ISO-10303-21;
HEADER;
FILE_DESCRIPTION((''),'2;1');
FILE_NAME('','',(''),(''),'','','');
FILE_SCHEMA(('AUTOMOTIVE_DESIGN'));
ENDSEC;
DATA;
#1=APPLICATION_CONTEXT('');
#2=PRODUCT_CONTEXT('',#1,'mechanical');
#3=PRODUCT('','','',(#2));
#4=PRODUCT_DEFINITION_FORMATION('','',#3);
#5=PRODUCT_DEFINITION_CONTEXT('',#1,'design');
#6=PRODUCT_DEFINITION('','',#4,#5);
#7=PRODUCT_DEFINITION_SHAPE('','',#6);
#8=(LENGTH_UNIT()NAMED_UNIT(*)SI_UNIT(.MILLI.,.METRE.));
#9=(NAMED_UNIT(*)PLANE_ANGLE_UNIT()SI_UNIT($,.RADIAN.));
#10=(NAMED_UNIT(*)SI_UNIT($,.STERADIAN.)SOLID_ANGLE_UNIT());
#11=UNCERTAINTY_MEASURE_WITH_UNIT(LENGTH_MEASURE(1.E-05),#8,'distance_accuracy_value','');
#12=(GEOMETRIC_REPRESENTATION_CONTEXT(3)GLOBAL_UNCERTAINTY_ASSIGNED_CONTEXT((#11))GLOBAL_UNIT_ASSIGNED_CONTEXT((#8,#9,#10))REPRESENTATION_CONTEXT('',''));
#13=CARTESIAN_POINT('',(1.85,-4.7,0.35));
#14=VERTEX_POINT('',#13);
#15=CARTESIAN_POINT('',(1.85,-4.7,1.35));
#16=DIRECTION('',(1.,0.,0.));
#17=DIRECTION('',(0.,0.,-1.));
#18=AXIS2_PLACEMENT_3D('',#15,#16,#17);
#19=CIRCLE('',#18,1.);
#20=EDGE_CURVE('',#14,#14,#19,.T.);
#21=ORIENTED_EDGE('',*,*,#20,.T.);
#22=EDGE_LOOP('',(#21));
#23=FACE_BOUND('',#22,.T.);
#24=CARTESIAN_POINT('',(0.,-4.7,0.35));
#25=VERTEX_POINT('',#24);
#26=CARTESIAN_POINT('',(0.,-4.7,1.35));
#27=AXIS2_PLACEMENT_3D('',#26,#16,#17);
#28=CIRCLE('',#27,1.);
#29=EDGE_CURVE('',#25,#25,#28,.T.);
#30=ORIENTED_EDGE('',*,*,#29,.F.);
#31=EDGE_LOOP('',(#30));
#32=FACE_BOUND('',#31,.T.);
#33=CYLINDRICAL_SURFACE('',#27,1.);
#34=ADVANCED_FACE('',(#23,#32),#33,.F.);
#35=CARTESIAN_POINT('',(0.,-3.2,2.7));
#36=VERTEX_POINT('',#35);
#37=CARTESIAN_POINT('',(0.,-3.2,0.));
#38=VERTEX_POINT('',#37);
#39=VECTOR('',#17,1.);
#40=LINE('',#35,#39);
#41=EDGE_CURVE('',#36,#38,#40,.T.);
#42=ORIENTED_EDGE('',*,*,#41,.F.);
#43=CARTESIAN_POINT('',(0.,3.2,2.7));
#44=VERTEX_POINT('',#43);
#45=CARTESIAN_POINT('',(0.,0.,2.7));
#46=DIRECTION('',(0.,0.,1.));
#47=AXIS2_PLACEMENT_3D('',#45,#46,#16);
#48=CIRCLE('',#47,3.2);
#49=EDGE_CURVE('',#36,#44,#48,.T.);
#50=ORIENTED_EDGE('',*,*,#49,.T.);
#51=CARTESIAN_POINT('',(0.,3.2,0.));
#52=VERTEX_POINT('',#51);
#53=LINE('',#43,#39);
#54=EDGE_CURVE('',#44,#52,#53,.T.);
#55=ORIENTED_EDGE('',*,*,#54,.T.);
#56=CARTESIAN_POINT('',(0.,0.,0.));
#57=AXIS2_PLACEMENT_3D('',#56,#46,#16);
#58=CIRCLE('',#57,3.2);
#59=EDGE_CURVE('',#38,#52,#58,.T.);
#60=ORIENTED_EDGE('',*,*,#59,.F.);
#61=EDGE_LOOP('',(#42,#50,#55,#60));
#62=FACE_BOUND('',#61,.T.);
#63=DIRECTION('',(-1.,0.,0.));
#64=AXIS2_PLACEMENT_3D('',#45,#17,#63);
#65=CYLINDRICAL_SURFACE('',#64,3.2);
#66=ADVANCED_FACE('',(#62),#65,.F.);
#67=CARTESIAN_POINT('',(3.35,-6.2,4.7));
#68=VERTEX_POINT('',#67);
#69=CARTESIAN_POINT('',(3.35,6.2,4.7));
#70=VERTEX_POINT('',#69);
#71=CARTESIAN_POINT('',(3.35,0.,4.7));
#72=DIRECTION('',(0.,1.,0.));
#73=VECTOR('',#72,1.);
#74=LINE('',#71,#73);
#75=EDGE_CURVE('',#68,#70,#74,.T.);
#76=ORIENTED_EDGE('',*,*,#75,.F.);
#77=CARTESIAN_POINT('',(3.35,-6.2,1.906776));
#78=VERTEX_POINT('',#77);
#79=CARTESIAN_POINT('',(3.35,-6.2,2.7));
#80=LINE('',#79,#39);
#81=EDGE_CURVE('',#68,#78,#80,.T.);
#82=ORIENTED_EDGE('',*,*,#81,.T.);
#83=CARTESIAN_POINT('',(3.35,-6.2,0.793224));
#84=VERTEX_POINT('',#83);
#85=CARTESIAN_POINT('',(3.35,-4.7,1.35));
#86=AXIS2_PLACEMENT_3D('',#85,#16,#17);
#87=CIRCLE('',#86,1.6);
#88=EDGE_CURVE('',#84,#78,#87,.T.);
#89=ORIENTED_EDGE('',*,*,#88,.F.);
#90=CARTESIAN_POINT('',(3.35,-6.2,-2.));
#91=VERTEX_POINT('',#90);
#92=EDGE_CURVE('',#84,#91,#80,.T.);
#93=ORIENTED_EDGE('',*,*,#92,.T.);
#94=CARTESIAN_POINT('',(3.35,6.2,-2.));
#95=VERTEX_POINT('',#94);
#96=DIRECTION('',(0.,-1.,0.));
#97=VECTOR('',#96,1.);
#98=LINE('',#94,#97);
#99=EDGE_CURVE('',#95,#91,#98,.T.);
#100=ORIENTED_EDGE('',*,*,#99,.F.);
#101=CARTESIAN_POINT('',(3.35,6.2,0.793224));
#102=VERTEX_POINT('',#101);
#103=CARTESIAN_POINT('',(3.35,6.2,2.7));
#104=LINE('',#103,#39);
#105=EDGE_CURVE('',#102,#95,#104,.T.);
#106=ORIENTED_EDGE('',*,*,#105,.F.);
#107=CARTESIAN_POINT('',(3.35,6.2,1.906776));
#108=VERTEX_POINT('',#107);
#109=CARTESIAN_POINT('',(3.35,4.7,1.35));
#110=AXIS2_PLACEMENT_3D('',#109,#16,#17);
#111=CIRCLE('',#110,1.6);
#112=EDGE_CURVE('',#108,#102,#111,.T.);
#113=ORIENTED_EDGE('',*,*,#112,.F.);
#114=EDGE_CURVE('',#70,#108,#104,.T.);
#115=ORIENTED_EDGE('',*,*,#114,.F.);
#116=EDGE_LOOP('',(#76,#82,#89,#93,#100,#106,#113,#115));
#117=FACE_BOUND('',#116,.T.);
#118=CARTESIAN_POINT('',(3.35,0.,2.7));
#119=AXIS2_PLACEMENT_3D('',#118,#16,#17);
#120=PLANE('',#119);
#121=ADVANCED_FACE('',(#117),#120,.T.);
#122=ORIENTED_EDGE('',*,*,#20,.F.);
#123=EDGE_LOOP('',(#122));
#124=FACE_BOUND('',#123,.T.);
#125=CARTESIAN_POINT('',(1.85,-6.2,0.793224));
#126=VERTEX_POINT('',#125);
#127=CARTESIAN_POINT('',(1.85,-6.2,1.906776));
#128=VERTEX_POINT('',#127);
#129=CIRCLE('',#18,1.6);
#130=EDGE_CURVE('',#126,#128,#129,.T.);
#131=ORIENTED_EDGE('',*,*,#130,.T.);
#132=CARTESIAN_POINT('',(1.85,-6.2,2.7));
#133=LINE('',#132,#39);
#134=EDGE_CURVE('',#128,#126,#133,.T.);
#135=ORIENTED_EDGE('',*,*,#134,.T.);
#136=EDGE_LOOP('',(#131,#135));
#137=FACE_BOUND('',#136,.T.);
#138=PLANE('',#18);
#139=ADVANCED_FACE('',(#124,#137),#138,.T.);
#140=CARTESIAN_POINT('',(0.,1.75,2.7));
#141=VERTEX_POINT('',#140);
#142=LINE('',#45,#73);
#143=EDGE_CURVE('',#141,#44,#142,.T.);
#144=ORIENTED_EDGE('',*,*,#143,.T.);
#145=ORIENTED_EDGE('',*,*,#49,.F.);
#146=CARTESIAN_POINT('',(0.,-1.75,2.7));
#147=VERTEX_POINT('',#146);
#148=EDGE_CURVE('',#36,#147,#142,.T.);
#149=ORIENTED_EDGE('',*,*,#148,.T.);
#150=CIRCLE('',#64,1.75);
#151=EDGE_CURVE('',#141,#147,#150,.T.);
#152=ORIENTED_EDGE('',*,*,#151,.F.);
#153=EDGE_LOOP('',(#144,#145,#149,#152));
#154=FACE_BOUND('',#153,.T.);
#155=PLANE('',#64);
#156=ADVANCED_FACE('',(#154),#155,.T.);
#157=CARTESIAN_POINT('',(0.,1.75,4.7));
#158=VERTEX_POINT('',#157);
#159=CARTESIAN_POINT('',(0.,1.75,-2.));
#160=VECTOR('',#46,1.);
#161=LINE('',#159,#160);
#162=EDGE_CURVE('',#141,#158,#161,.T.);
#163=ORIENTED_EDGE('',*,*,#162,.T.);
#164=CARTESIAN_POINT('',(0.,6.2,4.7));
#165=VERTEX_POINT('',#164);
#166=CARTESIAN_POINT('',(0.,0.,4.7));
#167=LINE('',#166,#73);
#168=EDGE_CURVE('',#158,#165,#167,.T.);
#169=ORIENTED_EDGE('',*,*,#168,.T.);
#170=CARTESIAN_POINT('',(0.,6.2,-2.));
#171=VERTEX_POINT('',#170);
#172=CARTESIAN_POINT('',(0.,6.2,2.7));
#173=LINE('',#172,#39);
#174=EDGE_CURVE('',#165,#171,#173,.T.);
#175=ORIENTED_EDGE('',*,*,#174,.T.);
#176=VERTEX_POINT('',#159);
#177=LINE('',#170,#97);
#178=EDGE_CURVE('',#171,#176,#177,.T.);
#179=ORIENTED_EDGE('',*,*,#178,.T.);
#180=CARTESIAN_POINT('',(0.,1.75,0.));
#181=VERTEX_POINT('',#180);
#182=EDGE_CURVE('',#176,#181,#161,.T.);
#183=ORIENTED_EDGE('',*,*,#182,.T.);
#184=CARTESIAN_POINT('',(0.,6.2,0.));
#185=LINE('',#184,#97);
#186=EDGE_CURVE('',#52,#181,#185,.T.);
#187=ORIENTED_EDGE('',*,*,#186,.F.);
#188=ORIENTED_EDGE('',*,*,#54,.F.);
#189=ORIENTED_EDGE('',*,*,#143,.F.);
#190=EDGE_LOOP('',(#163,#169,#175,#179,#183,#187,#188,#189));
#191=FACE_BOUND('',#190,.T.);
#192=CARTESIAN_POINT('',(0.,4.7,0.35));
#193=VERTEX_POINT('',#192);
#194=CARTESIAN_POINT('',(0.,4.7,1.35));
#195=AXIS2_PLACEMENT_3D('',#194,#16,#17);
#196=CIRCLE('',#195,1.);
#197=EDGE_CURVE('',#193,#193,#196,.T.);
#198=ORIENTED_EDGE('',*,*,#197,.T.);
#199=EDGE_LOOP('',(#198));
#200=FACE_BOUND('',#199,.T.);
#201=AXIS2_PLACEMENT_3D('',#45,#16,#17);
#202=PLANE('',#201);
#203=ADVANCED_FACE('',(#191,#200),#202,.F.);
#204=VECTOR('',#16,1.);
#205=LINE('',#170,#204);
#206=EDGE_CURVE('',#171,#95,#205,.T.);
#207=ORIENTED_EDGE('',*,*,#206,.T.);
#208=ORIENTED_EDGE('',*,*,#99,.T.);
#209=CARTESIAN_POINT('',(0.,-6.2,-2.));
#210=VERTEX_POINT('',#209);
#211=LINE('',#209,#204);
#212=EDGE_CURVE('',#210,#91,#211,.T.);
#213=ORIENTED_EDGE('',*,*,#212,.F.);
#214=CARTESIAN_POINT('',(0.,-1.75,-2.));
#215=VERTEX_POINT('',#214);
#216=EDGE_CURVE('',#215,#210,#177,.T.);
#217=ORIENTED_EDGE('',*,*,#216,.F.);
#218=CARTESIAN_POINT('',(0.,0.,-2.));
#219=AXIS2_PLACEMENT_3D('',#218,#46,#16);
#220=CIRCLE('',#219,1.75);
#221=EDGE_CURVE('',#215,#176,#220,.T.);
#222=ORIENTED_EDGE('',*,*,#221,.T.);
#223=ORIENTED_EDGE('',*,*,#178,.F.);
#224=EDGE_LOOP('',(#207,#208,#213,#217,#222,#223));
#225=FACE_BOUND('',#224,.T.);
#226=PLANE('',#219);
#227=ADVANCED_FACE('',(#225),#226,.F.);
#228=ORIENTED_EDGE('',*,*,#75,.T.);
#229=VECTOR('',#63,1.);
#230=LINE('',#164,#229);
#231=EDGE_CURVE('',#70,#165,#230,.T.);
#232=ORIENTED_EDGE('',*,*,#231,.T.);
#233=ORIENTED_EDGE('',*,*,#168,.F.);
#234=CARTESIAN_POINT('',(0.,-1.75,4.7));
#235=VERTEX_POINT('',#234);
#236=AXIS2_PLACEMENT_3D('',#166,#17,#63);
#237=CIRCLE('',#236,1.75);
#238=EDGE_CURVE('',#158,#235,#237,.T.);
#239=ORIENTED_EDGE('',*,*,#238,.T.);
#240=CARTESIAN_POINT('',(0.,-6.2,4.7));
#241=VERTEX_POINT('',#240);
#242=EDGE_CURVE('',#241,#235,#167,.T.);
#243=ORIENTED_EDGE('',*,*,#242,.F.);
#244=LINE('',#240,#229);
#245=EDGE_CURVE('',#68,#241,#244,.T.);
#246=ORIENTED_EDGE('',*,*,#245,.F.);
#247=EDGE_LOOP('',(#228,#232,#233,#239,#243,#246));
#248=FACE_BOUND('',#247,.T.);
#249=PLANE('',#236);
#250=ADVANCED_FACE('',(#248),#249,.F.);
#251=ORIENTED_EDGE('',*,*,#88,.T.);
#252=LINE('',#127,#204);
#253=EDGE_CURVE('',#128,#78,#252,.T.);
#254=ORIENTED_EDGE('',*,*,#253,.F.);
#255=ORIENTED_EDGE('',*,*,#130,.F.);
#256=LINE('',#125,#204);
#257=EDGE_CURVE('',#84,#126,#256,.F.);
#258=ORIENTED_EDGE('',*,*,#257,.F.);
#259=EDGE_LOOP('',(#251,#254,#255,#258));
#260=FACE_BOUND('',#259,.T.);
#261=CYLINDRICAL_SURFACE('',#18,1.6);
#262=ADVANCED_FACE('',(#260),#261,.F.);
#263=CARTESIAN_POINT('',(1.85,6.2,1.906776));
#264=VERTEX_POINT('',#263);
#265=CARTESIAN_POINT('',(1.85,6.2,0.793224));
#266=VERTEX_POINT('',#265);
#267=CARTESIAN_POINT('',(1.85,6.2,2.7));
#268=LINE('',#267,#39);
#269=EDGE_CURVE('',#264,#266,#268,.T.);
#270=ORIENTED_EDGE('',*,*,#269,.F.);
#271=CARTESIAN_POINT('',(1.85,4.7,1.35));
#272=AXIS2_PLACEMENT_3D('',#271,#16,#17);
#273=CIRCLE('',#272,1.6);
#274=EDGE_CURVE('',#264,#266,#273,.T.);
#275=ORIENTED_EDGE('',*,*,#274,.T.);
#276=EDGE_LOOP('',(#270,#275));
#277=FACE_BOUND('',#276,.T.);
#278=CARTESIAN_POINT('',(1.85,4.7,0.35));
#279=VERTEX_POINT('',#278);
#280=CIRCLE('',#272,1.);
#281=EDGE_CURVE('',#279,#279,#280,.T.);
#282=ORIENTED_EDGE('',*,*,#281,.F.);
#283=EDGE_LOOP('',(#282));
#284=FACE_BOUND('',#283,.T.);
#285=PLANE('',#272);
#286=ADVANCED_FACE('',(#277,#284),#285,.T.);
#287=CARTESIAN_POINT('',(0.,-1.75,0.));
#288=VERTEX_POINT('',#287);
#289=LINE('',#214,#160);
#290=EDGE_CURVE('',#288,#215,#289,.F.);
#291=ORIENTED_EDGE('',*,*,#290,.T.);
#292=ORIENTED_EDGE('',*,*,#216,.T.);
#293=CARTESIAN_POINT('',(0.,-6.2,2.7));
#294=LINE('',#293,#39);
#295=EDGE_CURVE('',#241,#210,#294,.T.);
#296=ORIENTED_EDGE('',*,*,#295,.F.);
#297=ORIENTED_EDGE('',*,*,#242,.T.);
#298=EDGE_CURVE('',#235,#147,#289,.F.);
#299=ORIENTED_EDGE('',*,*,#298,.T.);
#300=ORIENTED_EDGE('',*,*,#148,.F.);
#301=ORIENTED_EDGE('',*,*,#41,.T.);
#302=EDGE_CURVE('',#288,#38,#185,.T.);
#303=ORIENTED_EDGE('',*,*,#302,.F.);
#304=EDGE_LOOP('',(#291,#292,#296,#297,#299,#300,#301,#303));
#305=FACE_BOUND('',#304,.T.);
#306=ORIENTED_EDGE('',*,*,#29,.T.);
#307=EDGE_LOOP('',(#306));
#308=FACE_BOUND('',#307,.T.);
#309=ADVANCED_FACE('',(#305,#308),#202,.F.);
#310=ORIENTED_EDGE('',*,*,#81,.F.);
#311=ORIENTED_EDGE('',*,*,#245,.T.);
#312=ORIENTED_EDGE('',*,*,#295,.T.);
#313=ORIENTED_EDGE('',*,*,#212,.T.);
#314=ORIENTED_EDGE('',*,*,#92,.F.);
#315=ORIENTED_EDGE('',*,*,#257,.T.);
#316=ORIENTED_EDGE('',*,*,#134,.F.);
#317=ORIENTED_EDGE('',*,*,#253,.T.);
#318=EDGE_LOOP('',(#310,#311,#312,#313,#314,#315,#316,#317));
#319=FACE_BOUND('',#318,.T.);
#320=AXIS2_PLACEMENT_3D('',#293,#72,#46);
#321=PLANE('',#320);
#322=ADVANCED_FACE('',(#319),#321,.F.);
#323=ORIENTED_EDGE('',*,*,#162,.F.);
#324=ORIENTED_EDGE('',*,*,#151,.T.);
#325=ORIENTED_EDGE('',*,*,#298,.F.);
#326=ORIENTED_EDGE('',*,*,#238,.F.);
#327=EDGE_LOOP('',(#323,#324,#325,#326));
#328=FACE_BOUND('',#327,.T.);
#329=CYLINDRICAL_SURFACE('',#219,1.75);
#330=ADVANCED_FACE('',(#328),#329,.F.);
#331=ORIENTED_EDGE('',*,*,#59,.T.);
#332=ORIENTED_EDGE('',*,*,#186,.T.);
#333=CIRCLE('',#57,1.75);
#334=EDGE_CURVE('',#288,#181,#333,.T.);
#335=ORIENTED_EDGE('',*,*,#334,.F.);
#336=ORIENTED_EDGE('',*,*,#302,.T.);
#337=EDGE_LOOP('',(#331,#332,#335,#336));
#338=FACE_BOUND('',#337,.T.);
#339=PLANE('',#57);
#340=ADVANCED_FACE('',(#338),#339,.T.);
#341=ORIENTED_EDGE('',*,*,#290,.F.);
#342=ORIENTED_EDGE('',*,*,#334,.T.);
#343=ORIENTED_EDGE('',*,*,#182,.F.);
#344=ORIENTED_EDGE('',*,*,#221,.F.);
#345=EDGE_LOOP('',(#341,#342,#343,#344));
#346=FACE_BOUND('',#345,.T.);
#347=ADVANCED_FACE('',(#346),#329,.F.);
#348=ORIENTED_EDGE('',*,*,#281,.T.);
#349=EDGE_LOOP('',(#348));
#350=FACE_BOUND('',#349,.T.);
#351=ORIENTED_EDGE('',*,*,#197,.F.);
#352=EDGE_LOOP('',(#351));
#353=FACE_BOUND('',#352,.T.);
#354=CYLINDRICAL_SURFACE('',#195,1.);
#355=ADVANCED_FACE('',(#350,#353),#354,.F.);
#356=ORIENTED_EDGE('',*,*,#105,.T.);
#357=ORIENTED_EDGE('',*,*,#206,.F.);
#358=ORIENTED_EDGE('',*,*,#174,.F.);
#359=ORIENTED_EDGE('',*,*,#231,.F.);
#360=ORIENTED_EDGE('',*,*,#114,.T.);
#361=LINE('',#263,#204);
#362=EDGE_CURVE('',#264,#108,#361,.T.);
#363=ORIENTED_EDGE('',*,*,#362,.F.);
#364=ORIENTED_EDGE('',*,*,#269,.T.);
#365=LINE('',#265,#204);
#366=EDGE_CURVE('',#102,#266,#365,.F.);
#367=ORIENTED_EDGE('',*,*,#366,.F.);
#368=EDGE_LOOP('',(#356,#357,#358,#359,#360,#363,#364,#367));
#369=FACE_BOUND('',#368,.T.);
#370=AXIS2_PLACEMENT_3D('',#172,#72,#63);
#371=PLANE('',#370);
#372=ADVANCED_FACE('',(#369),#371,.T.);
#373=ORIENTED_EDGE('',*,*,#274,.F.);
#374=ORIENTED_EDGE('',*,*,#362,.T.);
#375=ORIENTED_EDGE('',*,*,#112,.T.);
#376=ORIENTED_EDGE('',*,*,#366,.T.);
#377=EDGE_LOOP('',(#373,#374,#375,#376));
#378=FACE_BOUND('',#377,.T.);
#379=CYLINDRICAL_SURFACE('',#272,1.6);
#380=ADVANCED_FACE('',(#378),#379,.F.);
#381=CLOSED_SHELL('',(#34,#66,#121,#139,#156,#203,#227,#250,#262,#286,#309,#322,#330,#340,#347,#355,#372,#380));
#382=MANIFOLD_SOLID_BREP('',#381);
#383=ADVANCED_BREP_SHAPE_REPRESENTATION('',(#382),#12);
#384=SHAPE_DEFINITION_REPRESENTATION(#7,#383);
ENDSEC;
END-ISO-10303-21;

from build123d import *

# Parameters (mm, degrees)
EXTRUDE_1_DEPTH     = 2.7
SKETCH_1_4_W        = 3.35
SKETCH_1_4_H        = 12.4
EXTRUDE_2_DEPTH     = 2
EXTRUDE_START       = 2.7
SKETCH_1_5_W        = 3.35
SKETCH_1_5_H        = 12.4
EXTRUDE_3_DEPTH     = 2
SKETCH_2_R          = 1.75
CUT_EXTRUDE_1_DEPTH = 10.723810981
SKETCH_4_R          = 1
CUT_EXTRUDE_2_DEPTH = 9.470684742
SKETCH_4_3_R        = 1.6
SKETCH_4_3_R_2      = 1
CUT_EXTRUDE_3_DEPTH = 1.5


with BuildPart() as part:
    # 草图1 → 凸台-拉伸1 (new body)
    with BuildSketch(Plane.XY):
        with BuildLine():
            Line((3.35, 6.2), (0, 6.2))
            Line((0, 6.2), (0, 3.2))
            ThreePointArc((0, 3.2), (2.2627417, 2.2627417), (3.2, 0))
            ThreePointArc((3.2, 0), (2.2627417, -2.2627417), (0, -3.2))
            Line((0, -3.2), (0, -6.2))
            Line((0, -6.2), (3.35, -6.2))
            Line((3.35, -6.2), (3.35, 6.2))
        make_face()
    extrude(amount=EXTRUDE_1_DEPTH)

    # 草图1<4> → 凸台-拉伸2 (add)
    with BuildSketch(Plane.XY):
        with Locations((1.675, 0)):
            Rectangle(SKETCH_1_4_W, SKETCH_1_4_H)
    extrude(amount=-EXTRUDE_2_DEPTH)

    # 草图1<5> → 凸台-拉伸3 (add)
    with BuildSketch(Plane.XY.offset(EXTRUDE_START)):
        with Locations((1.675, 0)):
            Rectangle(SKETCH_1_5_W, SKETCH_1_5_H)
    extrude(amount=EXTRUDE_3_DEPTH)

    # 草图2 → 切除-拉伸1 (cut, through all)
    with BuildSketch(Plane.XY.offset(4.7)):
        Circle(SKETCH_2_R)
    extrude(amount=-CUT_EXTRUDE_1_DEPTH, mode=Mode.SUBTRACT)

    # 草图4 → 切除-拉伸2 (cut, through all)
    with BuildSketch(Plane(origin=(3.35, 0, 0), x_dir=(0, 0, -1), z_dir=(1, 0, 0))):
        with Locations((-1.35, -4.7)):
            Circle(SKETCH_4_R)
        with Locations((-1.35, 4.7)):
            Circle(SKETCH_4_R)
    extrude(amount=-CUT_EXTRUDE_2_DEPTH, mode=Mode.SUBTRACT)

    # 草图4<3> → 切除-拉伸3 (cut)
    # profile 1 of 2: a face of its own
    with BuildSketch(Plane(origin=(3.35, 0, 0), x_dir=(0, 0, -1), z_dir=(1, 0, 0))):
        with Locations((-1.35, 4.7)):
            Circle(SKETCH_4_3_R)
        with Locations((-1.35, 4.7)):
            Circle(SKETCH_4_3_R_2, mode=Mode.SUBTRACT)
    # profile 2 of 2: a face of its own
    with BuildSketch(Plane(origin=(3.35, 0, 0), x_dir=(0, 0, -1), z_dir=(1, 0, 0))):
        with Locations((-1.35, -4.7)):
            Circle(SKETCH_4_3_R)
        with Locations((-1.35, -4.7)):
            Circle(SKETCH_4_3_R_2, mode=Mode.SUBTRACT)
    extrude(amount=-CUT_EXTRUDE_3_DEPTH, mode=Mode.SUBTRACT)


solid = part.part
